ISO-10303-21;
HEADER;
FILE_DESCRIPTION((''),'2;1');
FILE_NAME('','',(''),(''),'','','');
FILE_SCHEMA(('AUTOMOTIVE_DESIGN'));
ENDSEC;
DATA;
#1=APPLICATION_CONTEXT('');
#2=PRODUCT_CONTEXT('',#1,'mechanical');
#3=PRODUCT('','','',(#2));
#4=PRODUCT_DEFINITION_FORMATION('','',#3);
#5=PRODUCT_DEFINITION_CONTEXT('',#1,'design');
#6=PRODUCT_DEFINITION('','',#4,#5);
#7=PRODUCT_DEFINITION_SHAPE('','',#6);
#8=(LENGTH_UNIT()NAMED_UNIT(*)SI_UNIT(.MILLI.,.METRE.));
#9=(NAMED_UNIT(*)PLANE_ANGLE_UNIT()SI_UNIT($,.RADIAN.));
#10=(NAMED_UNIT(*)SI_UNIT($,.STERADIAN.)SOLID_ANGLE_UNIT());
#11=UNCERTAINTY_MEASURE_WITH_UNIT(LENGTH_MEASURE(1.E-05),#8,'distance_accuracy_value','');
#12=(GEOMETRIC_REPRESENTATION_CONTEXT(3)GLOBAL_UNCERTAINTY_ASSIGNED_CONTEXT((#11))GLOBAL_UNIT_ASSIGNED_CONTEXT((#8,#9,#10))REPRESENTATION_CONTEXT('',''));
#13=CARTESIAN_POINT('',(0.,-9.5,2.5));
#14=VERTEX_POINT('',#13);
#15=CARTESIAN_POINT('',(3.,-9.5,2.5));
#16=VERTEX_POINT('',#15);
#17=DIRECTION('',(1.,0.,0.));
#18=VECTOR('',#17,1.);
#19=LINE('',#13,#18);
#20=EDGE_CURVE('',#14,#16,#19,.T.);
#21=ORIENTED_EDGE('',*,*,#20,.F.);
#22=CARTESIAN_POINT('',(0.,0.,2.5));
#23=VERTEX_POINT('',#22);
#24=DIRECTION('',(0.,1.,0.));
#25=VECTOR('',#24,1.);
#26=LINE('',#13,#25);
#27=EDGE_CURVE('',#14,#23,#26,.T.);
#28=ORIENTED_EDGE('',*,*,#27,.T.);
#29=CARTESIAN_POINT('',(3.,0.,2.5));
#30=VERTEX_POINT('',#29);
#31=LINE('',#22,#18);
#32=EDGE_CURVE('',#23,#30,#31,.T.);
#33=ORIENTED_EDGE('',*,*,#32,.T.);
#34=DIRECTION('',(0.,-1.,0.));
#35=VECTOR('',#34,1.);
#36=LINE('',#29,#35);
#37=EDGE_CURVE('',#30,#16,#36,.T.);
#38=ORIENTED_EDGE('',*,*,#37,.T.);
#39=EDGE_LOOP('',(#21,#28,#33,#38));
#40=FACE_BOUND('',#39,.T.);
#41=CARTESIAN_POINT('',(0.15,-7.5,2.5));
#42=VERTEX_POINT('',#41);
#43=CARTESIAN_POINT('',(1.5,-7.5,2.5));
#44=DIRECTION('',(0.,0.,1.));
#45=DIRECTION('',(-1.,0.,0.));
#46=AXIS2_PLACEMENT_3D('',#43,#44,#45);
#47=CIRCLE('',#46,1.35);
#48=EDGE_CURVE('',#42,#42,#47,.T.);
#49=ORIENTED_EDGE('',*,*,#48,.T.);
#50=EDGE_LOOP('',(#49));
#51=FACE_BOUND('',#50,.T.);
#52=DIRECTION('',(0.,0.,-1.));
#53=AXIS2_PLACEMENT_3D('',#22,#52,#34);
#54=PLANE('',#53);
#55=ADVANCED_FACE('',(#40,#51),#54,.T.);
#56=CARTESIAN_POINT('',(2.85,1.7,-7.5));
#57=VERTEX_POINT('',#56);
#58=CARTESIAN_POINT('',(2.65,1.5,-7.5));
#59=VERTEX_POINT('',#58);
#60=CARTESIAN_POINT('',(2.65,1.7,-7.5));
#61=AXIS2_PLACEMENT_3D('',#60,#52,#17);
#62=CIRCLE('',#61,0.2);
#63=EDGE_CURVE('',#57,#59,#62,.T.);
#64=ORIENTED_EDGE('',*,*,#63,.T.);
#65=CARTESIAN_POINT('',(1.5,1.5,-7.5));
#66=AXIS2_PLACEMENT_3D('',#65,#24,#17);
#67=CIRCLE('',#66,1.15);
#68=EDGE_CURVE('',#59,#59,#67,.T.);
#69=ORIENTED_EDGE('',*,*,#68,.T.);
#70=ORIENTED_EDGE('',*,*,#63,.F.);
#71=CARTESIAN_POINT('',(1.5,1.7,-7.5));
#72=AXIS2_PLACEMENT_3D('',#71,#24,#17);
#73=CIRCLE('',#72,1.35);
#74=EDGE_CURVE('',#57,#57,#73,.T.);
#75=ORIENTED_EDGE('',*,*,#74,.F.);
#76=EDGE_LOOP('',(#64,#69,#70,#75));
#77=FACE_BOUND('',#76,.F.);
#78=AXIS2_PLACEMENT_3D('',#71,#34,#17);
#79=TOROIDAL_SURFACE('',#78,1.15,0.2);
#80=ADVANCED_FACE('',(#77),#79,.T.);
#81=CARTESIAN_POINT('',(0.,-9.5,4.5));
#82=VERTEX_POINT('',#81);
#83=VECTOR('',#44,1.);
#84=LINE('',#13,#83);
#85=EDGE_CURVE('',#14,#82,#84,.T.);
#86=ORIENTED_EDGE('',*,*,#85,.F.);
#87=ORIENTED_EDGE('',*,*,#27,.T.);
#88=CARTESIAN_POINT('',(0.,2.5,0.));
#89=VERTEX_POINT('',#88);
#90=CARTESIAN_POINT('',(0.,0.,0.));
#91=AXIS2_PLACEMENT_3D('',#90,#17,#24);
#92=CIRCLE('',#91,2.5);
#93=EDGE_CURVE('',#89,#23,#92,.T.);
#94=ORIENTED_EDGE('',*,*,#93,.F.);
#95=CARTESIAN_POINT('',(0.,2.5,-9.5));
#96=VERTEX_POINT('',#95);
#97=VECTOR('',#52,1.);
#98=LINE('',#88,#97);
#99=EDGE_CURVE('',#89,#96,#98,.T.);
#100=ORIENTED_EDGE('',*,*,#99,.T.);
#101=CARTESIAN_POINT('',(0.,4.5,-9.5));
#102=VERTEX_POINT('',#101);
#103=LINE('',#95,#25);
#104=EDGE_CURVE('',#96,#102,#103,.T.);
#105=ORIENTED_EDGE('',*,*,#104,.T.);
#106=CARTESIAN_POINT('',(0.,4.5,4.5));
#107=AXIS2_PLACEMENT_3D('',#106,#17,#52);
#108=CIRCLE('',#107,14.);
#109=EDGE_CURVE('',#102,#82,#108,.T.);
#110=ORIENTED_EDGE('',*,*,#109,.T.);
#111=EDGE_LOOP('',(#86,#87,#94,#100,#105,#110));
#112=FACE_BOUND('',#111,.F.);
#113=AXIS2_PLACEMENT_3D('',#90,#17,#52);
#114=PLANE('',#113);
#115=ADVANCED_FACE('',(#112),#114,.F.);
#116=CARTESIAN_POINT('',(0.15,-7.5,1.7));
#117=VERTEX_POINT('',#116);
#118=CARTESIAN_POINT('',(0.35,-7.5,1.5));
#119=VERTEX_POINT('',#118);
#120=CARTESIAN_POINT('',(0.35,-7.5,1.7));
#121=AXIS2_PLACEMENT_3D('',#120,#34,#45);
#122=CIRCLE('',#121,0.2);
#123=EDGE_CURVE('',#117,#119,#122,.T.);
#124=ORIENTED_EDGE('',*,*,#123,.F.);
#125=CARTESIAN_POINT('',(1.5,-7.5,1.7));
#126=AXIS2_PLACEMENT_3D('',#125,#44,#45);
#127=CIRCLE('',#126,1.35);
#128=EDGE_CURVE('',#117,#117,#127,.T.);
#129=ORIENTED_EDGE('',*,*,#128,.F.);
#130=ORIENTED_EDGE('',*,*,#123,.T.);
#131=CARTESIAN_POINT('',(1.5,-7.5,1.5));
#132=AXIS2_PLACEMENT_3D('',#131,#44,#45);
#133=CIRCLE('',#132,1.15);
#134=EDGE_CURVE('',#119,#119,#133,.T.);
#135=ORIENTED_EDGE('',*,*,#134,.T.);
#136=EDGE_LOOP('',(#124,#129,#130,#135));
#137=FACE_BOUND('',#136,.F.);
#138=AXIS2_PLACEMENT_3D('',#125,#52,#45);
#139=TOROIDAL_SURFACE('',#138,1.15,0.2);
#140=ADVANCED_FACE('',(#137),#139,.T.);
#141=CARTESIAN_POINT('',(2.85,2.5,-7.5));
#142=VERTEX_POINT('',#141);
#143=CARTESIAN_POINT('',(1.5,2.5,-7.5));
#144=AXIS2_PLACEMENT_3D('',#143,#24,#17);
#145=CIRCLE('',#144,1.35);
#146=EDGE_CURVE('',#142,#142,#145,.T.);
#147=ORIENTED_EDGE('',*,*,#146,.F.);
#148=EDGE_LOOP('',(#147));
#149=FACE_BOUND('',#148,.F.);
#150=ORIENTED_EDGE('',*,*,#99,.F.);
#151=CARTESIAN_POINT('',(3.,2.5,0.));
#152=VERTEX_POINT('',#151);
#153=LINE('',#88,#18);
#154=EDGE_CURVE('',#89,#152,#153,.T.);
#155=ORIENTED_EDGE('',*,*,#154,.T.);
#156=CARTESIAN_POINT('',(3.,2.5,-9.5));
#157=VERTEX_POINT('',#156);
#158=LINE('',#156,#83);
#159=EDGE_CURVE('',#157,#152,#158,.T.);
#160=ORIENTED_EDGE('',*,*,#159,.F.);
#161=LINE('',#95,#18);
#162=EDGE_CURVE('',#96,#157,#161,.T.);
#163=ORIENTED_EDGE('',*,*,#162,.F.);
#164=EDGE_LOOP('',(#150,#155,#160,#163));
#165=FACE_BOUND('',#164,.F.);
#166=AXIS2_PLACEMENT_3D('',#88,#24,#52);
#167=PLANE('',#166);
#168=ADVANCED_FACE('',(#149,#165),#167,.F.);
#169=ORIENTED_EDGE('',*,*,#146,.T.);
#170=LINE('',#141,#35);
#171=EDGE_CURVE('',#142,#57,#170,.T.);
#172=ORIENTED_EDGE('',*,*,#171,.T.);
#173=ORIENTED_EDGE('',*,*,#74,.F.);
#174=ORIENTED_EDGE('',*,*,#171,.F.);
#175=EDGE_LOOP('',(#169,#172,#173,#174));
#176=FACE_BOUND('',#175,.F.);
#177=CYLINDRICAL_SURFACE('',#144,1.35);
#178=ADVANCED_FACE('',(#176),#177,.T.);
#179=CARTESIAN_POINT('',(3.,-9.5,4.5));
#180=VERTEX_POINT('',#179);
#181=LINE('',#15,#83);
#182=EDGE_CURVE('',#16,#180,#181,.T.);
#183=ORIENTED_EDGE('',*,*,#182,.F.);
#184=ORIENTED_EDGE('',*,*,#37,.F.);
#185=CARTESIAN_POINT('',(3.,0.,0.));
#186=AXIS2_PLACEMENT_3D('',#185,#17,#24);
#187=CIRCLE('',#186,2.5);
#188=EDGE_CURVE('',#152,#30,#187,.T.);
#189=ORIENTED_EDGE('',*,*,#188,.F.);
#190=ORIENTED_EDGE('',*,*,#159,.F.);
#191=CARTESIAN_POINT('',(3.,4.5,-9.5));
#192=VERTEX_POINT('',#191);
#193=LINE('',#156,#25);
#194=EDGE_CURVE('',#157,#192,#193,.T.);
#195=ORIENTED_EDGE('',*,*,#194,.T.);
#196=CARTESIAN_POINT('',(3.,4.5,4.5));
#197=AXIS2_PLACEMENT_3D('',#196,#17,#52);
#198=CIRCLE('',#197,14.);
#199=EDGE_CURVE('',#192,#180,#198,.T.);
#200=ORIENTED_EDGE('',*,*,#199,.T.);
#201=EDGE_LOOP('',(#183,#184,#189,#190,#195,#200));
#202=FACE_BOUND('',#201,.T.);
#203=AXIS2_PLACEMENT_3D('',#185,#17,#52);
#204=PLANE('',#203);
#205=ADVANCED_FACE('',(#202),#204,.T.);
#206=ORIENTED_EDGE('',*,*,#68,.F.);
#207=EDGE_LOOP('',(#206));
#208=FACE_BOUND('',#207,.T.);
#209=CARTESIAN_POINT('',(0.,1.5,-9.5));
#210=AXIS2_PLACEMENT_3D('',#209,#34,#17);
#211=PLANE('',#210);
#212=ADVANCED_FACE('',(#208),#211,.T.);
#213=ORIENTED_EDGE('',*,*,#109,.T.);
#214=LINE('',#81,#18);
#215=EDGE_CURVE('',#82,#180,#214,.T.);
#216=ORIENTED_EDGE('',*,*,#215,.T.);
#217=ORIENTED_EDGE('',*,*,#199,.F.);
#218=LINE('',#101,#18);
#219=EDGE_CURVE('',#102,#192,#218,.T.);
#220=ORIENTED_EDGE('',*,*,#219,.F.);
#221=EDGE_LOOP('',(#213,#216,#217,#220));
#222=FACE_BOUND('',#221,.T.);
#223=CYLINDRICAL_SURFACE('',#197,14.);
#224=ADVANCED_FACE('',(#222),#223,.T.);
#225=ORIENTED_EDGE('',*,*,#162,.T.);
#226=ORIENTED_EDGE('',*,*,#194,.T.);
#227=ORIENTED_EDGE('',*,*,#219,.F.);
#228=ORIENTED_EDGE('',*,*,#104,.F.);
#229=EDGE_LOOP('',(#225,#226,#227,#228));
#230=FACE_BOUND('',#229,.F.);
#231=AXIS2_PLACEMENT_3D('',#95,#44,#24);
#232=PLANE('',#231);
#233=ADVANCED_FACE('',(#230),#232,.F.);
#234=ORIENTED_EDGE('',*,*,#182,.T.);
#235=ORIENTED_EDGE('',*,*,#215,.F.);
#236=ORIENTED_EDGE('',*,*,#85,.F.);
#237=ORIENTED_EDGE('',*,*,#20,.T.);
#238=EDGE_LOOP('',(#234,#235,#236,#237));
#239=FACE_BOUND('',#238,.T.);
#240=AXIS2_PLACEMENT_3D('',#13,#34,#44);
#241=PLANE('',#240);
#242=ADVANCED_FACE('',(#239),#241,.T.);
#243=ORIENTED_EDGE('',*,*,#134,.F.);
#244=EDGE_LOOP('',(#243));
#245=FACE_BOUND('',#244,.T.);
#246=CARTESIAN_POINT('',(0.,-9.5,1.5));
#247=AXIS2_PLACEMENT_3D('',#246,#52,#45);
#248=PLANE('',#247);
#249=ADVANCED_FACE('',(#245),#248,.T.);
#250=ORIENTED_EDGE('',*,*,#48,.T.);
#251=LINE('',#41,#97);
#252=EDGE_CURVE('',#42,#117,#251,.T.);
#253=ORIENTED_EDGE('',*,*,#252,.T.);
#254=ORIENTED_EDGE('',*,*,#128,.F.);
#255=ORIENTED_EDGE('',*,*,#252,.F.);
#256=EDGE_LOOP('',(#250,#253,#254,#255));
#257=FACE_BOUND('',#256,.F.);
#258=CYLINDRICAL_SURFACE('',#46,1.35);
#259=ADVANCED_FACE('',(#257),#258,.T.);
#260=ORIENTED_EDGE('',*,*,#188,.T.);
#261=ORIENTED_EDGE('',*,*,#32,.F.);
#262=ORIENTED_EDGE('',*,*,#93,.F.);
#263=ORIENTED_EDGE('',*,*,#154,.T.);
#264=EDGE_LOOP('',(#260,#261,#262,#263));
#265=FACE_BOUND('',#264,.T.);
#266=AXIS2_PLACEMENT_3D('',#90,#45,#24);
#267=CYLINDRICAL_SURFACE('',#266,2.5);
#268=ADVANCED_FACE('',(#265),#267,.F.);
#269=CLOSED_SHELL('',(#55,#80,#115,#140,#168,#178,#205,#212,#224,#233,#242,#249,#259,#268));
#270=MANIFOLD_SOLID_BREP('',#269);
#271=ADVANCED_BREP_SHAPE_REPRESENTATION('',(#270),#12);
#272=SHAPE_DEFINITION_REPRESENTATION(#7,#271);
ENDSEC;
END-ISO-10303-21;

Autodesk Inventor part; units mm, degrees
ref_plane "YZ Plane" through (0, 0, 0) normal (1, 0, 0) x (0, 1, 0)
ref_plane "XZ Plane" through (0, 0, 0) normal (0, 1, 0) x (-1, 0, 0)
ref_plane "XY Plane" through (0, 0, 0) normal (0, 0, 1) x (1, 0, 0)
sketch "Boceto1" plane through (0, 0, 0) normal (1, 0, 0) x (0, 1, 0)
  circle A0 centre (0, 0) radius 2.5
  line L0 (2.5, 0) -> (2.5, 10.6639)
  line L1 (2.5, 2.5) -> (-7.5, 2.5)
  line L2 (-7.5, 2.5) -> (-9.5, 2.5)
  line L3 (-9.5, 2.5) -> (-9.5, 4.5)
  line L4 (-9.5, 4.5) -> (2.5, 4.5)
  line L5 (0, 0) -> (-4.5773, -4.5773)
  line L6 (0, 0) -> (6.4732, 0) construction
  circle A1 centre (0, 0) radius 2.5
  line L7 (0, 2.5) -> (10.6639, 2.5)
  line L8 (2.5, 2.5) -> (2.5, -7.5)
  line L9 (2.5, -7.5) -> (2.5, -9.5)
  line L10 (2.5, -9.5) -> (4.5, -9.5)
  line L11 (4.5, -9.5) -> (4.5, 2.5)
  line L12 (2.5, 4.5) -> (4.5, 4.5)
  line L13 (4.5, 4.5) -> (4.5, 2.5)
  point P0 (0, 2.5)
  dimension "d0" = 5
  dimension "d1" = 10
  dimension "d2" = 2
  dimension "d3" = 2
  dimension "d4" = 135
extrude "Extrusión1" add sketch "Boceto1" along normal blind 3 contours A0 L1 L0 | L0 L7 L11 L10 L9 L8 | L1 L2 L3 L4 L0 | L0 L12 L13 L7
sketch "Boceto2" plane through (3, 0, 0) normal (1, 0, 0) x (0, 0, -1)
  line L0 (-4.5, 4.5) -> (-4.5, -9.5) projected
  line L1 (-2.5, -9.5) -> (-2.5, 0) projected
  arc A0 (0, 2.5) -> (-2.5, 0) centre (0, 0) ccw projected
  line L2 (0, 2.5) -> (9.5, 2.5) projected
  line L3 (9.5, 2.5) -> (9.5, 4.5) projected
  line L4 (9.5, 4.5) -> (-4.5, 4.5) projected
  line L5 (-4.5, 4.5) -> (-4.5, -9.5) projected
  line L6 (-4.5, -9.5) -> (-2.5, -9.5) projected
  line L7 (9.5, 2.5) -> (9.5, 4.5) projected
  line L8 (9.5, 4.5) -> (16.7965, 4.5)
  line L9 (16.7965, 2.5) -> (9.5, 2.5)
  line L10 (9.5, 2.5) -> (16.7965, 2.5)
  line L11 (16.7965, 4.5) -> (16.7965, 2.5)
  circle A1 centre (-4.5, 4.5) radius 14
extrude "Extrusión2" add sketch "Boceto2" against normal blind 3 contours L0 A1 L4
sketch "Boceto3" plane through (0, 2.5, -9.5) normal (0, -1, 0) x (1, 0, 0)
  line L0 (0, 0) -> (3, 0) projected
  line L1 (1.5, 0) -> (1.5, 2)
  circle A0 centre (1.5, 2) radius 1.35
  point P0 (0, 9.5)
  dimension "d9" = 2
  dimension "d10" = 2.7
extrude "Extrusión3" add sketch "Boceto3" along normal blind 1
fillet "Empalme1" radius 0.2 1 edges at (0.15, 1.5, -7.5)
sketch "Boceto4" plane through (0, -9.5, 2.5) normal (0, 0, -1) x (-1, 0, 0)
  line L0 (0, 0) -> (-3, 0) projected
  line L1 (-1.5, 0) -> (-1.5, 2)
  circle A0 centre (-1.5, 2) radius 1.35
  point P0 (0, 9.5)
  dimension "d14" = 2
  dimension "d15" = 2.7
extrude "Extrusión4" add sketch "Boceto4" along normal blind 1
fillet "Empalme2" radius 0.2 1 edges at (2.85, -7.5, 1.5)
properties part number "oso"
